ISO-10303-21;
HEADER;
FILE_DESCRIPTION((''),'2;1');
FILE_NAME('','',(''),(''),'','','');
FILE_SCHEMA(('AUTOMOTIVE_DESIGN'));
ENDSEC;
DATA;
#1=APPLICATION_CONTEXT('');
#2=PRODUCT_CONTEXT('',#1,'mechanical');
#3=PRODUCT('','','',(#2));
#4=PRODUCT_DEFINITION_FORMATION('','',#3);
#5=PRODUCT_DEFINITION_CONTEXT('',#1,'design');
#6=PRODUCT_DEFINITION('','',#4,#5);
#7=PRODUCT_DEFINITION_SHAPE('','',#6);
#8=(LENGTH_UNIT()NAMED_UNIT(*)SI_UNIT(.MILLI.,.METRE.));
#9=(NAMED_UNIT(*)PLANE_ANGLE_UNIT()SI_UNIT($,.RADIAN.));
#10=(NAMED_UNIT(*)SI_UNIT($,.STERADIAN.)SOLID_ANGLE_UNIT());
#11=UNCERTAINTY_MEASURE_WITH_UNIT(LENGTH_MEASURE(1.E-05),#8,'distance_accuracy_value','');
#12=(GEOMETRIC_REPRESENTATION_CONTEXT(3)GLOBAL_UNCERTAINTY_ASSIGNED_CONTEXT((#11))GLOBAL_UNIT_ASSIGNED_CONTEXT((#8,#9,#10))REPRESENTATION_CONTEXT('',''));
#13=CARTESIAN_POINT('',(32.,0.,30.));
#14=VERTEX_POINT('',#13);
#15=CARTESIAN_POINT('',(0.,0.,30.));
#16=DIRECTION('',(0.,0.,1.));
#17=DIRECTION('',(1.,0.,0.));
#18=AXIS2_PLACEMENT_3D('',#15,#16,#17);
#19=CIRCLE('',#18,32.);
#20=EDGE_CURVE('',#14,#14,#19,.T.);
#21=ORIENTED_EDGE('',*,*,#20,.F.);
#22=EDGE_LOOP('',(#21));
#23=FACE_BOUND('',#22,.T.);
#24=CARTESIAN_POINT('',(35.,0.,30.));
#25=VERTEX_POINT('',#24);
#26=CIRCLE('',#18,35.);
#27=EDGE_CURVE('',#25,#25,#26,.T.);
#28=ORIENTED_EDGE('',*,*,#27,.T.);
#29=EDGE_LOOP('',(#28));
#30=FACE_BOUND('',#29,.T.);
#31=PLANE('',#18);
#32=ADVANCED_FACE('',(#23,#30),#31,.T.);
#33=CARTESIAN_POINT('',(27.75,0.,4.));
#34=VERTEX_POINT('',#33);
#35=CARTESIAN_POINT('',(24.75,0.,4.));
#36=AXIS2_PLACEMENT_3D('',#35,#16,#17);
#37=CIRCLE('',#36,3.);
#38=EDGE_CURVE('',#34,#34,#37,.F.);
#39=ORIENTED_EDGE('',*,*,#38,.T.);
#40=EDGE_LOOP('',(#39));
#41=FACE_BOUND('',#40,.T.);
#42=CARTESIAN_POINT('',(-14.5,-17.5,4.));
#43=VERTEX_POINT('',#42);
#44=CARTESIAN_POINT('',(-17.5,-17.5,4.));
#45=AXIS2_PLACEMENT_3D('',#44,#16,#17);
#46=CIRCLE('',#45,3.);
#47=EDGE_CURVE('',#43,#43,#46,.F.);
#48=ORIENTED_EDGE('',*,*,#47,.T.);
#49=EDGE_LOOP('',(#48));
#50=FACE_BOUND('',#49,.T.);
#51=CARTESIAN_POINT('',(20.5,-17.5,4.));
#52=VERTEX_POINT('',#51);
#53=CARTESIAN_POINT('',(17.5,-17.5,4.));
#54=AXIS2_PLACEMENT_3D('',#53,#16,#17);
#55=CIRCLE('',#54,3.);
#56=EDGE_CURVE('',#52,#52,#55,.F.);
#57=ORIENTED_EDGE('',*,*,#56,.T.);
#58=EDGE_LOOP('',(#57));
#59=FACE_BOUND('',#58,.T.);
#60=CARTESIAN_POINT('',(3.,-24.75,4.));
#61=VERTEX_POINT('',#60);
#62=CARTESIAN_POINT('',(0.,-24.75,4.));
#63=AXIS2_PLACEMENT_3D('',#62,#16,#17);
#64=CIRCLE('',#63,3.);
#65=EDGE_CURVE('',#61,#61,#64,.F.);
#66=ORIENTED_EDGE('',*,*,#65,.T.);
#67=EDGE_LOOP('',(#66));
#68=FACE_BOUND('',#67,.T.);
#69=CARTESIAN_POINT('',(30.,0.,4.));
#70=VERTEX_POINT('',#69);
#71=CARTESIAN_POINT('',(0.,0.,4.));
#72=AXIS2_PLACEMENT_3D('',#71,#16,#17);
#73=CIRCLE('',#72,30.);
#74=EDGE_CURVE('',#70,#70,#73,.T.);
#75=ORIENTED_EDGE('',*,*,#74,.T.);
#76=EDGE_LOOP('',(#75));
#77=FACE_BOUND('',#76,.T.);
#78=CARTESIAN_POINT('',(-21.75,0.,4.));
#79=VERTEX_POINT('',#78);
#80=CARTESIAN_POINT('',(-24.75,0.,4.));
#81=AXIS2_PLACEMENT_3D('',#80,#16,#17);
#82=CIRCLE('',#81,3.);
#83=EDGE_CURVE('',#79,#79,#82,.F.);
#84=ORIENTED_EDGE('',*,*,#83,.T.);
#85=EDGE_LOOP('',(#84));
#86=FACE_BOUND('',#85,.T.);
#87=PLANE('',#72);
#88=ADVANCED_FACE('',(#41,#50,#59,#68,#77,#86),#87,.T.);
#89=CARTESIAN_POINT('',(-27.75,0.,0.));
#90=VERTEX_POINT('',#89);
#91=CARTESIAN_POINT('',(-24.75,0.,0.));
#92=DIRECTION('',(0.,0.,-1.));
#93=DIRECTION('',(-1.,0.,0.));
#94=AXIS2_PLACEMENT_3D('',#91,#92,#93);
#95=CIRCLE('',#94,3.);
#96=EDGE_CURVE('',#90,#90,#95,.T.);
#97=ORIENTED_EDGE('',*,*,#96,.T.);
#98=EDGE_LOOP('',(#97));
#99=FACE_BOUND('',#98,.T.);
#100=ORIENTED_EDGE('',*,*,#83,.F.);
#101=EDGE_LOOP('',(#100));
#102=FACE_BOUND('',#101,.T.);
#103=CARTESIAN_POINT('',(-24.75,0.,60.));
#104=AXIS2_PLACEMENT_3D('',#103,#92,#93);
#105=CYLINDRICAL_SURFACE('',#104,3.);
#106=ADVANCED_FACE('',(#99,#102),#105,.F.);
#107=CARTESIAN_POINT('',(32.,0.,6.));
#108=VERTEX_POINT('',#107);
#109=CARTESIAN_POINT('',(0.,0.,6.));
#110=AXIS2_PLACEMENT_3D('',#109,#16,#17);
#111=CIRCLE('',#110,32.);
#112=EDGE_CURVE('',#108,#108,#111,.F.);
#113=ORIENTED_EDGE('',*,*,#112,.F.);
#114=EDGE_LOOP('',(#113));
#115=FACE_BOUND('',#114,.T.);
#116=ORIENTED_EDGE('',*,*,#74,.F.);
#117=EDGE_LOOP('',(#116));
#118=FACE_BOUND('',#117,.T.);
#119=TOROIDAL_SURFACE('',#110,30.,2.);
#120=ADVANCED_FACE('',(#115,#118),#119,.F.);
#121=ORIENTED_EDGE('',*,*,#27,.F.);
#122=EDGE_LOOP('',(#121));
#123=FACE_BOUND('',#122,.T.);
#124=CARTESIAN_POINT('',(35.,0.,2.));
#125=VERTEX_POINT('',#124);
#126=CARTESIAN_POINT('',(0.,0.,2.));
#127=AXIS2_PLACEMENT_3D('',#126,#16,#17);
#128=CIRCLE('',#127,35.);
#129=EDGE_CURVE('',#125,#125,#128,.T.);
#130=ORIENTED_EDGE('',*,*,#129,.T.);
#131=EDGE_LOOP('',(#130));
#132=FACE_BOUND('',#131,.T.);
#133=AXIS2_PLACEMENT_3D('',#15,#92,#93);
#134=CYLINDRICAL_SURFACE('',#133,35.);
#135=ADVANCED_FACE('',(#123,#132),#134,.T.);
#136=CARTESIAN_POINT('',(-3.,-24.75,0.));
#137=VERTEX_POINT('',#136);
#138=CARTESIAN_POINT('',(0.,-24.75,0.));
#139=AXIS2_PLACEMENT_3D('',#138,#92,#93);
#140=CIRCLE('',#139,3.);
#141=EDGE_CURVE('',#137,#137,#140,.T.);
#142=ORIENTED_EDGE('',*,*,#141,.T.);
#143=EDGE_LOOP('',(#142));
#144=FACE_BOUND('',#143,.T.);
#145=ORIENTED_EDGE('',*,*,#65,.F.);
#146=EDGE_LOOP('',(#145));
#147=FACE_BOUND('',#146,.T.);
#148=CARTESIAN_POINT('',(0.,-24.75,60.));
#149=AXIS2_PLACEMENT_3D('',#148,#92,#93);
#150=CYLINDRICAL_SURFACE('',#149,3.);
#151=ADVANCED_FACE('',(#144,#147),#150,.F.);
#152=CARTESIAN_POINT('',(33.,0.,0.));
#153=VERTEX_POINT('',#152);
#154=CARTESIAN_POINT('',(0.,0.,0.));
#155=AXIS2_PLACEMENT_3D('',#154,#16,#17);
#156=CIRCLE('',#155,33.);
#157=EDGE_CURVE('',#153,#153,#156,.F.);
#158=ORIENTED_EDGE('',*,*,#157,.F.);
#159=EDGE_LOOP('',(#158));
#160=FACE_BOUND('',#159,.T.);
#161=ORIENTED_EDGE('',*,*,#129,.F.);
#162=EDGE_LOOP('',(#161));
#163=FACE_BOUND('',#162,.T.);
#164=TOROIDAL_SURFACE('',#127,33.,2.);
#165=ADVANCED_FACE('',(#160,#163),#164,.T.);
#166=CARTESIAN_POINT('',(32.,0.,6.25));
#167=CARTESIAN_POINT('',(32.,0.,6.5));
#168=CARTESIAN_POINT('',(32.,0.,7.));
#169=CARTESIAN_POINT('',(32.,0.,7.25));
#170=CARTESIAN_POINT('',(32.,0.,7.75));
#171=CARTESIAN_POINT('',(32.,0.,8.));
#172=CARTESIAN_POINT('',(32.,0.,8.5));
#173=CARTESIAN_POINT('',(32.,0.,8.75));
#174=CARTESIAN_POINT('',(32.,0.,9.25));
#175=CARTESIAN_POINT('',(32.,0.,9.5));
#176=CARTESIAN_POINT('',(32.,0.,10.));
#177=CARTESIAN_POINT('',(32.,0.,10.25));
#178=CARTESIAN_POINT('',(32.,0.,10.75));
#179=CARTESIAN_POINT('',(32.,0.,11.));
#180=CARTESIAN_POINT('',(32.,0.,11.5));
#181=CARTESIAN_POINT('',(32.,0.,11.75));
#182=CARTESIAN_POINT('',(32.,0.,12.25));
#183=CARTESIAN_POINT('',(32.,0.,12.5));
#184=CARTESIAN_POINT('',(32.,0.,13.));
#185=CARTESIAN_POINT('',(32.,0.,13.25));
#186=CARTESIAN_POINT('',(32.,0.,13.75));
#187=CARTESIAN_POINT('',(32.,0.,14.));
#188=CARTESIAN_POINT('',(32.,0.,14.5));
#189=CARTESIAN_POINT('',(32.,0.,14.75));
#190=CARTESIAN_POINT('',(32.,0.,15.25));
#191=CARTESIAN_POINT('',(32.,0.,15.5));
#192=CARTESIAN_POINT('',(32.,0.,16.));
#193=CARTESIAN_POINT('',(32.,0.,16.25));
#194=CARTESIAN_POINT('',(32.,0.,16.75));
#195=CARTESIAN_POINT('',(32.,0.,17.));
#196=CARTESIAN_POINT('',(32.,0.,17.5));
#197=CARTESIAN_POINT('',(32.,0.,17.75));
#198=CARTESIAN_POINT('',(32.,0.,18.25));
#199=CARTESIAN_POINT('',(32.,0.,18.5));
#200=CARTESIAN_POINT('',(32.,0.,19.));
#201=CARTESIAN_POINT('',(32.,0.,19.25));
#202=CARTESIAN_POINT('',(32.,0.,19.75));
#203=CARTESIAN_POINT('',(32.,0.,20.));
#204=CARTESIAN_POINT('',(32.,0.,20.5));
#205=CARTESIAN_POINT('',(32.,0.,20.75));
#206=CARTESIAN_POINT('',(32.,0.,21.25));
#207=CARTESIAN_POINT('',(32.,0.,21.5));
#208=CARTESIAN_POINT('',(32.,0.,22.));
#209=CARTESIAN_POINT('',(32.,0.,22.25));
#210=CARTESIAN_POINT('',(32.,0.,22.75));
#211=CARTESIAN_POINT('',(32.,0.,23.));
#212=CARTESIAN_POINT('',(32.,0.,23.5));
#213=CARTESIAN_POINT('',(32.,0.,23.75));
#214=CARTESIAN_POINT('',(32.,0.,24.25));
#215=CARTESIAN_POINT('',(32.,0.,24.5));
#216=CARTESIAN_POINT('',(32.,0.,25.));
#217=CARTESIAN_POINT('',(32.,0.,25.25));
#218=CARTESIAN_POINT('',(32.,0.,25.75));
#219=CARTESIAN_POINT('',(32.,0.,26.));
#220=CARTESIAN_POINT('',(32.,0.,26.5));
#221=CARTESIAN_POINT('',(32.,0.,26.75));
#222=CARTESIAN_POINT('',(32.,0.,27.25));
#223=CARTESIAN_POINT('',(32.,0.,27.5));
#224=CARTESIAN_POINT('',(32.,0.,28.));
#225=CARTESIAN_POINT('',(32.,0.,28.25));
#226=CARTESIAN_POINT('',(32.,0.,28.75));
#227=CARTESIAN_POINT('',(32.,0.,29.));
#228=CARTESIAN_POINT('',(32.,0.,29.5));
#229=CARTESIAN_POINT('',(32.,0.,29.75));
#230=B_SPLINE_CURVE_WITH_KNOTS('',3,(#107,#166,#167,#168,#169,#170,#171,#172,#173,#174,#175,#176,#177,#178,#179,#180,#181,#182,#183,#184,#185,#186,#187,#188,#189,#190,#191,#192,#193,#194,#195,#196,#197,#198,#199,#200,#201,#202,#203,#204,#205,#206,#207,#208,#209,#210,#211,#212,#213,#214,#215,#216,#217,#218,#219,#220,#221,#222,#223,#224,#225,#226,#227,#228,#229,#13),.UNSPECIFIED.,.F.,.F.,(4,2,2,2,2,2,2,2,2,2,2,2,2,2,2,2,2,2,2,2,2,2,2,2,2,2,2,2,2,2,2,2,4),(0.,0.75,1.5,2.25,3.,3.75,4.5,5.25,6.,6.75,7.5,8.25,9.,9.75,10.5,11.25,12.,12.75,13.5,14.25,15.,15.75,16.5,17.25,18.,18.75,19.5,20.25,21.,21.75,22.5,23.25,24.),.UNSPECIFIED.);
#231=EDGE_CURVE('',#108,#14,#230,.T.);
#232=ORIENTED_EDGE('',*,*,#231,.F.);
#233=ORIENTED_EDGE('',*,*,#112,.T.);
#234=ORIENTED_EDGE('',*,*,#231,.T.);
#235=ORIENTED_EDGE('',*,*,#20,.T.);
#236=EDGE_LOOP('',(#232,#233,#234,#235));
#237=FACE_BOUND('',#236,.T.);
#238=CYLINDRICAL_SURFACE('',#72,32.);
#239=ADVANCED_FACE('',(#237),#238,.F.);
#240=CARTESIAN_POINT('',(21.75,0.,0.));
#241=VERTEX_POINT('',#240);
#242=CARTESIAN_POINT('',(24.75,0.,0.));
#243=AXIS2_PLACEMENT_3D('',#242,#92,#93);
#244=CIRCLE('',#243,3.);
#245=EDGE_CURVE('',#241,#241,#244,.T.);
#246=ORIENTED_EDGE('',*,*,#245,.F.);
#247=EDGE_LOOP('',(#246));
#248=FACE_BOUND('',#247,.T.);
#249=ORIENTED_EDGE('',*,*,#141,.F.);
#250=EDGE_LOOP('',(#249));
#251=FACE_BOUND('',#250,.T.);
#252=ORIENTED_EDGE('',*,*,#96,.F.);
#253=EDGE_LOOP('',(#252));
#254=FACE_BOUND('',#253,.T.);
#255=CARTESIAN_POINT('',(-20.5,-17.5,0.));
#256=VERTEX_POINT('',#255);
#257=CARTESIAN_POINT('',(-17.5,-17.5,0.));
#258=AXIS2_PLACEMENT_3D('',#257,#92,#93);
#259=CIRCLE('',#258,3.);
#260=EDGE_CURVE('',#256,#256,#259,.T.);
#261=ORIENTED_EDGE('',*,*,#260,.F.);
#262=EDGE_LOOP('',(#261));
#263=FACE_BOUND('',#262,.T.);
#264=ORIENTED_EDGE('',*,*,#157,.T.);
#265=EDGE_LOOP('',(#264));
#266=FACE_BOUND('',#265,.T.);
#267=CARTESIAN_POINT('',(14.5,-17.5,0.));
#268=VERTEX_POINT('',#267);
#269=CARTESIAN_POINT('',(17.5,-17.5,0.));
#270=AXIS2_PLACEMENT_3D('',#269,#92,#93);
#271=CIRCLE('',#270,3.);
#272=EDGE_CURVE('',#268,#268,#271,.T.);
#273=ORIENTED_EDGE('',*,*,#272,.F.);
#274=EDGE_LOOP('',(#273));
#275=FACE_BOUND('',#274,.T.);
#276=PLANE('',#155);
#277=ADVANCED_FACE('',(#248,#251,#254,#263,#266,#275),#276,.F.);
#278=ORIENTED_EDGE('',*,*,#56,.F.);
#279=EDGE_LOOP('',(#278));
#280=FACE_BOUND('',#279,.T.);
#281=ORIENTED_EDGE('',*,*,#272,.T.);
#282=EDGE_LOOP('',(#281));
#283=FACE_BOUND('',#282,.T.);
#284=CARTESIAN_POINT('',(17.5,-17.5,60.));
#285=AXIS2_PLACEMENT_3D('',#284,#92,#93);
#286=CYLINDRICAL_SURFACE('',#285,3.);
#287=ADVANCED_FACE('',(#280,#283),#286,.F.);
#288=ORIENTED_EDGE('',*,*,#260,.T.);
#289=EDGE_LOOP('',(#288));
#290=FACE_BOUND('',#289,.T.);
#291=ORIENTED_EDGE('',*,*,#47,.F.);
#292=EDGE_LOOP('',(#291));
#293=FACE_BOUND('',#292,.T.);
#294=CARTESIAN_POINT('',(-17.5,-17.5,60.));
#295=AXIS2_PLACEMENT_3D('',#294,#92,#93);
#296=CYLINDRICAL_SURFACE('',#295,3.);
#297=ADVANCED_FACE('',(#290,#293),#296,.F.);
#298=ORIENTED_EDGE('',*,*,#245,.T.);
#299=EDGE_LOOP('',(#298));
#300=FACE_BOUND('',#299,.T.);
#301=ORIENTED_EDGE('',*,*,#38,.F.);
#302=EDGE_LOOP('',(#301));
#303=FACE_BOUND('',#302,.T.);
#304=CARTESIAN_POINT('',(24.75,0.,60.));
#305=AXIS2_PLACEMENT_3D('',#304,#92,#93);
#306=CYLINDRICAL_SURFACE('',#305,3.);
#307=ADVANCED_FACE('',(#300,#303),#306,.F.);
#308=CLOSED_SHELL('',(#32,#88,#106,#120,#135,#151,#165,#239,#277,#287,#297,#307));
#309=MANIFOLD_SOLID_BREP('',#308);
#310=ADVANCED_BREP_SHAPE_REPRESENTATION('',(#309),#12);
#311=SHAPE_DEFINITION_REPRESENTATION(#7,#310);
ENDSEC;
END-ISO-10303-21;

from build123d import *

# Parameters (mm, degrees)
SKETCH1_R           = 35
BOSS_EXTRUDE1_DEPTH = 30
CUT_EXTRUDE1_DEPTH  = 60
CUT_EXTRUDE2_DEPTH  = 60
SKETCH5_R           = 32
CUT_EXTRUDE3_DEPTH  = 26
FILLET3_R           = 2
FILLET4_R           = 2


with BuildPart() as part:
    # Sketch1 → Boss-Extrude1 (new body)
    with BuildSketch(Plane.XY):
        Circle(SKETCH1_R)
    extrude(amount=BOSS_EXTRUDE1_DEPTH)

    # Sketch3 → Cut-Extrude1 (cut)
    with BuildSketch(Plane(origin=(0, 0, 0), x_dir=(-1, 0, 0), z_dir=(0, 0, -1))):
        with BuildLine():
            ThreePointArc((27.75, 0), (24.75, 3), (21.75, 0))
            Line((21.75, 0), (27.75, 0))
        make_face()
        with BuildLine():
            Line((27.75, 0), (21.75, 0))
            ThreePointArc((21.75, 0), (24.75, -3), (27.75, 0))
        make_face()
        with BuildLine():
            ThreePointArc((19.621320344, -15.378679656), (15.378679656, -15.378679656), (15.378679656, -19.621320344))
            Line((15.378679656, -19.621320344), (19.621320344, -15.378679656))
        make_face()
        with BuildLine():
            Line((19.621320344, -15.378679656), (15.378679656, -19.621320344))
            ThreePointArc((15.378679656, -19.621320344), (18.648050297, -20.271638598), (20.5, -17.5))
            ThreePointArc((20.5, -17.5), (20.271638598, -16.351949703), (19.621320344, -15.378679656))
        make_face()
        with BuildLine():
            ThreePointArc((-14.5, -17.5), (-16.351949703, -14.728361402), (-19.621320344, -15.378679656))
            Line((-19.621320344, -15.378679656), (-15.378679656, -19.621320344))
            ThreePointArc((-15.378679656, -19.621320344), (-14.728361402, -18.648050297), (-14.5, -17.5))
        make_face()
        with BuildLine():
            Line((-15.378679656, -19.621320344), (-19.621320344, -15.378679656))
            ThreePointArc((-19.621320344, -15.378679656), (-19.621320344, -19.621320344), (-15.378679656, -19.621320344))
        make_face()
    extrude(amount=-CUT_EXTRUDE1_DEPTH, mode=Mode.SUBTRACT)

    # Sketch3<3> → Cut-Extrude2 (cut)
    with BuildSketch(Plane(origin=(0, 0, 0), x_dir=(-1, 0, 0), z_dir=(0, 0, -1))):
        with BuildLine():
            ThreePointArc((3, -24.75), (2.121320344, -22.628679656), (0, -21.75))
            Line((0, -21.75), (0, -27.75))
            ThreePointArc((0, -27.75), (2.121320344, -26.871320344), (3, -24.75))
        make_face()
        with BuildLine():
            Line((0, -27.75), (0, -21.75))
            ThreePointArc((0, -21.75), (-3, -24.75), (0, -27.75))
        make_face()
        with BuildLine():
            ThreePointArc((-27.75, 0), (-24.75, -3), (-21.75, 0))
            Line((-21.75, 0), (-27.75, 0))
        make_face()
        with BuildLine():
            Line((-27.75, 0), (-21.75, 0))
            ThreePointArc((-21.75, 0), (-24.75, 3), (-27.75, 0))
        make_face()
    extrude(amount=-CUT_EXTRUDE2_DEPTH, mode=Mode.SUBTRACT)

    # Sketch5 → Cut-Extrude3 (cut)
    with BuildSketch(Plane.XY.offset(30)):
        Circle(SKETCH5_R)
    extrude(amount=-CUT_EXTRUDE3_DEPTH, mode=Mode.SUBTRACT)

    # Fillet3
    fillet3_edges = [part.edges().sort_by_distance(p)[0] for p in [
        (-35, 0, 0),
    ]]
    fillet(fillet3_edges, radius=FILLET3_R)

    # Fillet4
    fillet4_edges = [part.edges().sort_by_distance(p)[0] for p in [
        (-32, 0, 4),
    ]]
    fillet(fillet4_edges, radius=FILLET4_R)


solid = part.part
